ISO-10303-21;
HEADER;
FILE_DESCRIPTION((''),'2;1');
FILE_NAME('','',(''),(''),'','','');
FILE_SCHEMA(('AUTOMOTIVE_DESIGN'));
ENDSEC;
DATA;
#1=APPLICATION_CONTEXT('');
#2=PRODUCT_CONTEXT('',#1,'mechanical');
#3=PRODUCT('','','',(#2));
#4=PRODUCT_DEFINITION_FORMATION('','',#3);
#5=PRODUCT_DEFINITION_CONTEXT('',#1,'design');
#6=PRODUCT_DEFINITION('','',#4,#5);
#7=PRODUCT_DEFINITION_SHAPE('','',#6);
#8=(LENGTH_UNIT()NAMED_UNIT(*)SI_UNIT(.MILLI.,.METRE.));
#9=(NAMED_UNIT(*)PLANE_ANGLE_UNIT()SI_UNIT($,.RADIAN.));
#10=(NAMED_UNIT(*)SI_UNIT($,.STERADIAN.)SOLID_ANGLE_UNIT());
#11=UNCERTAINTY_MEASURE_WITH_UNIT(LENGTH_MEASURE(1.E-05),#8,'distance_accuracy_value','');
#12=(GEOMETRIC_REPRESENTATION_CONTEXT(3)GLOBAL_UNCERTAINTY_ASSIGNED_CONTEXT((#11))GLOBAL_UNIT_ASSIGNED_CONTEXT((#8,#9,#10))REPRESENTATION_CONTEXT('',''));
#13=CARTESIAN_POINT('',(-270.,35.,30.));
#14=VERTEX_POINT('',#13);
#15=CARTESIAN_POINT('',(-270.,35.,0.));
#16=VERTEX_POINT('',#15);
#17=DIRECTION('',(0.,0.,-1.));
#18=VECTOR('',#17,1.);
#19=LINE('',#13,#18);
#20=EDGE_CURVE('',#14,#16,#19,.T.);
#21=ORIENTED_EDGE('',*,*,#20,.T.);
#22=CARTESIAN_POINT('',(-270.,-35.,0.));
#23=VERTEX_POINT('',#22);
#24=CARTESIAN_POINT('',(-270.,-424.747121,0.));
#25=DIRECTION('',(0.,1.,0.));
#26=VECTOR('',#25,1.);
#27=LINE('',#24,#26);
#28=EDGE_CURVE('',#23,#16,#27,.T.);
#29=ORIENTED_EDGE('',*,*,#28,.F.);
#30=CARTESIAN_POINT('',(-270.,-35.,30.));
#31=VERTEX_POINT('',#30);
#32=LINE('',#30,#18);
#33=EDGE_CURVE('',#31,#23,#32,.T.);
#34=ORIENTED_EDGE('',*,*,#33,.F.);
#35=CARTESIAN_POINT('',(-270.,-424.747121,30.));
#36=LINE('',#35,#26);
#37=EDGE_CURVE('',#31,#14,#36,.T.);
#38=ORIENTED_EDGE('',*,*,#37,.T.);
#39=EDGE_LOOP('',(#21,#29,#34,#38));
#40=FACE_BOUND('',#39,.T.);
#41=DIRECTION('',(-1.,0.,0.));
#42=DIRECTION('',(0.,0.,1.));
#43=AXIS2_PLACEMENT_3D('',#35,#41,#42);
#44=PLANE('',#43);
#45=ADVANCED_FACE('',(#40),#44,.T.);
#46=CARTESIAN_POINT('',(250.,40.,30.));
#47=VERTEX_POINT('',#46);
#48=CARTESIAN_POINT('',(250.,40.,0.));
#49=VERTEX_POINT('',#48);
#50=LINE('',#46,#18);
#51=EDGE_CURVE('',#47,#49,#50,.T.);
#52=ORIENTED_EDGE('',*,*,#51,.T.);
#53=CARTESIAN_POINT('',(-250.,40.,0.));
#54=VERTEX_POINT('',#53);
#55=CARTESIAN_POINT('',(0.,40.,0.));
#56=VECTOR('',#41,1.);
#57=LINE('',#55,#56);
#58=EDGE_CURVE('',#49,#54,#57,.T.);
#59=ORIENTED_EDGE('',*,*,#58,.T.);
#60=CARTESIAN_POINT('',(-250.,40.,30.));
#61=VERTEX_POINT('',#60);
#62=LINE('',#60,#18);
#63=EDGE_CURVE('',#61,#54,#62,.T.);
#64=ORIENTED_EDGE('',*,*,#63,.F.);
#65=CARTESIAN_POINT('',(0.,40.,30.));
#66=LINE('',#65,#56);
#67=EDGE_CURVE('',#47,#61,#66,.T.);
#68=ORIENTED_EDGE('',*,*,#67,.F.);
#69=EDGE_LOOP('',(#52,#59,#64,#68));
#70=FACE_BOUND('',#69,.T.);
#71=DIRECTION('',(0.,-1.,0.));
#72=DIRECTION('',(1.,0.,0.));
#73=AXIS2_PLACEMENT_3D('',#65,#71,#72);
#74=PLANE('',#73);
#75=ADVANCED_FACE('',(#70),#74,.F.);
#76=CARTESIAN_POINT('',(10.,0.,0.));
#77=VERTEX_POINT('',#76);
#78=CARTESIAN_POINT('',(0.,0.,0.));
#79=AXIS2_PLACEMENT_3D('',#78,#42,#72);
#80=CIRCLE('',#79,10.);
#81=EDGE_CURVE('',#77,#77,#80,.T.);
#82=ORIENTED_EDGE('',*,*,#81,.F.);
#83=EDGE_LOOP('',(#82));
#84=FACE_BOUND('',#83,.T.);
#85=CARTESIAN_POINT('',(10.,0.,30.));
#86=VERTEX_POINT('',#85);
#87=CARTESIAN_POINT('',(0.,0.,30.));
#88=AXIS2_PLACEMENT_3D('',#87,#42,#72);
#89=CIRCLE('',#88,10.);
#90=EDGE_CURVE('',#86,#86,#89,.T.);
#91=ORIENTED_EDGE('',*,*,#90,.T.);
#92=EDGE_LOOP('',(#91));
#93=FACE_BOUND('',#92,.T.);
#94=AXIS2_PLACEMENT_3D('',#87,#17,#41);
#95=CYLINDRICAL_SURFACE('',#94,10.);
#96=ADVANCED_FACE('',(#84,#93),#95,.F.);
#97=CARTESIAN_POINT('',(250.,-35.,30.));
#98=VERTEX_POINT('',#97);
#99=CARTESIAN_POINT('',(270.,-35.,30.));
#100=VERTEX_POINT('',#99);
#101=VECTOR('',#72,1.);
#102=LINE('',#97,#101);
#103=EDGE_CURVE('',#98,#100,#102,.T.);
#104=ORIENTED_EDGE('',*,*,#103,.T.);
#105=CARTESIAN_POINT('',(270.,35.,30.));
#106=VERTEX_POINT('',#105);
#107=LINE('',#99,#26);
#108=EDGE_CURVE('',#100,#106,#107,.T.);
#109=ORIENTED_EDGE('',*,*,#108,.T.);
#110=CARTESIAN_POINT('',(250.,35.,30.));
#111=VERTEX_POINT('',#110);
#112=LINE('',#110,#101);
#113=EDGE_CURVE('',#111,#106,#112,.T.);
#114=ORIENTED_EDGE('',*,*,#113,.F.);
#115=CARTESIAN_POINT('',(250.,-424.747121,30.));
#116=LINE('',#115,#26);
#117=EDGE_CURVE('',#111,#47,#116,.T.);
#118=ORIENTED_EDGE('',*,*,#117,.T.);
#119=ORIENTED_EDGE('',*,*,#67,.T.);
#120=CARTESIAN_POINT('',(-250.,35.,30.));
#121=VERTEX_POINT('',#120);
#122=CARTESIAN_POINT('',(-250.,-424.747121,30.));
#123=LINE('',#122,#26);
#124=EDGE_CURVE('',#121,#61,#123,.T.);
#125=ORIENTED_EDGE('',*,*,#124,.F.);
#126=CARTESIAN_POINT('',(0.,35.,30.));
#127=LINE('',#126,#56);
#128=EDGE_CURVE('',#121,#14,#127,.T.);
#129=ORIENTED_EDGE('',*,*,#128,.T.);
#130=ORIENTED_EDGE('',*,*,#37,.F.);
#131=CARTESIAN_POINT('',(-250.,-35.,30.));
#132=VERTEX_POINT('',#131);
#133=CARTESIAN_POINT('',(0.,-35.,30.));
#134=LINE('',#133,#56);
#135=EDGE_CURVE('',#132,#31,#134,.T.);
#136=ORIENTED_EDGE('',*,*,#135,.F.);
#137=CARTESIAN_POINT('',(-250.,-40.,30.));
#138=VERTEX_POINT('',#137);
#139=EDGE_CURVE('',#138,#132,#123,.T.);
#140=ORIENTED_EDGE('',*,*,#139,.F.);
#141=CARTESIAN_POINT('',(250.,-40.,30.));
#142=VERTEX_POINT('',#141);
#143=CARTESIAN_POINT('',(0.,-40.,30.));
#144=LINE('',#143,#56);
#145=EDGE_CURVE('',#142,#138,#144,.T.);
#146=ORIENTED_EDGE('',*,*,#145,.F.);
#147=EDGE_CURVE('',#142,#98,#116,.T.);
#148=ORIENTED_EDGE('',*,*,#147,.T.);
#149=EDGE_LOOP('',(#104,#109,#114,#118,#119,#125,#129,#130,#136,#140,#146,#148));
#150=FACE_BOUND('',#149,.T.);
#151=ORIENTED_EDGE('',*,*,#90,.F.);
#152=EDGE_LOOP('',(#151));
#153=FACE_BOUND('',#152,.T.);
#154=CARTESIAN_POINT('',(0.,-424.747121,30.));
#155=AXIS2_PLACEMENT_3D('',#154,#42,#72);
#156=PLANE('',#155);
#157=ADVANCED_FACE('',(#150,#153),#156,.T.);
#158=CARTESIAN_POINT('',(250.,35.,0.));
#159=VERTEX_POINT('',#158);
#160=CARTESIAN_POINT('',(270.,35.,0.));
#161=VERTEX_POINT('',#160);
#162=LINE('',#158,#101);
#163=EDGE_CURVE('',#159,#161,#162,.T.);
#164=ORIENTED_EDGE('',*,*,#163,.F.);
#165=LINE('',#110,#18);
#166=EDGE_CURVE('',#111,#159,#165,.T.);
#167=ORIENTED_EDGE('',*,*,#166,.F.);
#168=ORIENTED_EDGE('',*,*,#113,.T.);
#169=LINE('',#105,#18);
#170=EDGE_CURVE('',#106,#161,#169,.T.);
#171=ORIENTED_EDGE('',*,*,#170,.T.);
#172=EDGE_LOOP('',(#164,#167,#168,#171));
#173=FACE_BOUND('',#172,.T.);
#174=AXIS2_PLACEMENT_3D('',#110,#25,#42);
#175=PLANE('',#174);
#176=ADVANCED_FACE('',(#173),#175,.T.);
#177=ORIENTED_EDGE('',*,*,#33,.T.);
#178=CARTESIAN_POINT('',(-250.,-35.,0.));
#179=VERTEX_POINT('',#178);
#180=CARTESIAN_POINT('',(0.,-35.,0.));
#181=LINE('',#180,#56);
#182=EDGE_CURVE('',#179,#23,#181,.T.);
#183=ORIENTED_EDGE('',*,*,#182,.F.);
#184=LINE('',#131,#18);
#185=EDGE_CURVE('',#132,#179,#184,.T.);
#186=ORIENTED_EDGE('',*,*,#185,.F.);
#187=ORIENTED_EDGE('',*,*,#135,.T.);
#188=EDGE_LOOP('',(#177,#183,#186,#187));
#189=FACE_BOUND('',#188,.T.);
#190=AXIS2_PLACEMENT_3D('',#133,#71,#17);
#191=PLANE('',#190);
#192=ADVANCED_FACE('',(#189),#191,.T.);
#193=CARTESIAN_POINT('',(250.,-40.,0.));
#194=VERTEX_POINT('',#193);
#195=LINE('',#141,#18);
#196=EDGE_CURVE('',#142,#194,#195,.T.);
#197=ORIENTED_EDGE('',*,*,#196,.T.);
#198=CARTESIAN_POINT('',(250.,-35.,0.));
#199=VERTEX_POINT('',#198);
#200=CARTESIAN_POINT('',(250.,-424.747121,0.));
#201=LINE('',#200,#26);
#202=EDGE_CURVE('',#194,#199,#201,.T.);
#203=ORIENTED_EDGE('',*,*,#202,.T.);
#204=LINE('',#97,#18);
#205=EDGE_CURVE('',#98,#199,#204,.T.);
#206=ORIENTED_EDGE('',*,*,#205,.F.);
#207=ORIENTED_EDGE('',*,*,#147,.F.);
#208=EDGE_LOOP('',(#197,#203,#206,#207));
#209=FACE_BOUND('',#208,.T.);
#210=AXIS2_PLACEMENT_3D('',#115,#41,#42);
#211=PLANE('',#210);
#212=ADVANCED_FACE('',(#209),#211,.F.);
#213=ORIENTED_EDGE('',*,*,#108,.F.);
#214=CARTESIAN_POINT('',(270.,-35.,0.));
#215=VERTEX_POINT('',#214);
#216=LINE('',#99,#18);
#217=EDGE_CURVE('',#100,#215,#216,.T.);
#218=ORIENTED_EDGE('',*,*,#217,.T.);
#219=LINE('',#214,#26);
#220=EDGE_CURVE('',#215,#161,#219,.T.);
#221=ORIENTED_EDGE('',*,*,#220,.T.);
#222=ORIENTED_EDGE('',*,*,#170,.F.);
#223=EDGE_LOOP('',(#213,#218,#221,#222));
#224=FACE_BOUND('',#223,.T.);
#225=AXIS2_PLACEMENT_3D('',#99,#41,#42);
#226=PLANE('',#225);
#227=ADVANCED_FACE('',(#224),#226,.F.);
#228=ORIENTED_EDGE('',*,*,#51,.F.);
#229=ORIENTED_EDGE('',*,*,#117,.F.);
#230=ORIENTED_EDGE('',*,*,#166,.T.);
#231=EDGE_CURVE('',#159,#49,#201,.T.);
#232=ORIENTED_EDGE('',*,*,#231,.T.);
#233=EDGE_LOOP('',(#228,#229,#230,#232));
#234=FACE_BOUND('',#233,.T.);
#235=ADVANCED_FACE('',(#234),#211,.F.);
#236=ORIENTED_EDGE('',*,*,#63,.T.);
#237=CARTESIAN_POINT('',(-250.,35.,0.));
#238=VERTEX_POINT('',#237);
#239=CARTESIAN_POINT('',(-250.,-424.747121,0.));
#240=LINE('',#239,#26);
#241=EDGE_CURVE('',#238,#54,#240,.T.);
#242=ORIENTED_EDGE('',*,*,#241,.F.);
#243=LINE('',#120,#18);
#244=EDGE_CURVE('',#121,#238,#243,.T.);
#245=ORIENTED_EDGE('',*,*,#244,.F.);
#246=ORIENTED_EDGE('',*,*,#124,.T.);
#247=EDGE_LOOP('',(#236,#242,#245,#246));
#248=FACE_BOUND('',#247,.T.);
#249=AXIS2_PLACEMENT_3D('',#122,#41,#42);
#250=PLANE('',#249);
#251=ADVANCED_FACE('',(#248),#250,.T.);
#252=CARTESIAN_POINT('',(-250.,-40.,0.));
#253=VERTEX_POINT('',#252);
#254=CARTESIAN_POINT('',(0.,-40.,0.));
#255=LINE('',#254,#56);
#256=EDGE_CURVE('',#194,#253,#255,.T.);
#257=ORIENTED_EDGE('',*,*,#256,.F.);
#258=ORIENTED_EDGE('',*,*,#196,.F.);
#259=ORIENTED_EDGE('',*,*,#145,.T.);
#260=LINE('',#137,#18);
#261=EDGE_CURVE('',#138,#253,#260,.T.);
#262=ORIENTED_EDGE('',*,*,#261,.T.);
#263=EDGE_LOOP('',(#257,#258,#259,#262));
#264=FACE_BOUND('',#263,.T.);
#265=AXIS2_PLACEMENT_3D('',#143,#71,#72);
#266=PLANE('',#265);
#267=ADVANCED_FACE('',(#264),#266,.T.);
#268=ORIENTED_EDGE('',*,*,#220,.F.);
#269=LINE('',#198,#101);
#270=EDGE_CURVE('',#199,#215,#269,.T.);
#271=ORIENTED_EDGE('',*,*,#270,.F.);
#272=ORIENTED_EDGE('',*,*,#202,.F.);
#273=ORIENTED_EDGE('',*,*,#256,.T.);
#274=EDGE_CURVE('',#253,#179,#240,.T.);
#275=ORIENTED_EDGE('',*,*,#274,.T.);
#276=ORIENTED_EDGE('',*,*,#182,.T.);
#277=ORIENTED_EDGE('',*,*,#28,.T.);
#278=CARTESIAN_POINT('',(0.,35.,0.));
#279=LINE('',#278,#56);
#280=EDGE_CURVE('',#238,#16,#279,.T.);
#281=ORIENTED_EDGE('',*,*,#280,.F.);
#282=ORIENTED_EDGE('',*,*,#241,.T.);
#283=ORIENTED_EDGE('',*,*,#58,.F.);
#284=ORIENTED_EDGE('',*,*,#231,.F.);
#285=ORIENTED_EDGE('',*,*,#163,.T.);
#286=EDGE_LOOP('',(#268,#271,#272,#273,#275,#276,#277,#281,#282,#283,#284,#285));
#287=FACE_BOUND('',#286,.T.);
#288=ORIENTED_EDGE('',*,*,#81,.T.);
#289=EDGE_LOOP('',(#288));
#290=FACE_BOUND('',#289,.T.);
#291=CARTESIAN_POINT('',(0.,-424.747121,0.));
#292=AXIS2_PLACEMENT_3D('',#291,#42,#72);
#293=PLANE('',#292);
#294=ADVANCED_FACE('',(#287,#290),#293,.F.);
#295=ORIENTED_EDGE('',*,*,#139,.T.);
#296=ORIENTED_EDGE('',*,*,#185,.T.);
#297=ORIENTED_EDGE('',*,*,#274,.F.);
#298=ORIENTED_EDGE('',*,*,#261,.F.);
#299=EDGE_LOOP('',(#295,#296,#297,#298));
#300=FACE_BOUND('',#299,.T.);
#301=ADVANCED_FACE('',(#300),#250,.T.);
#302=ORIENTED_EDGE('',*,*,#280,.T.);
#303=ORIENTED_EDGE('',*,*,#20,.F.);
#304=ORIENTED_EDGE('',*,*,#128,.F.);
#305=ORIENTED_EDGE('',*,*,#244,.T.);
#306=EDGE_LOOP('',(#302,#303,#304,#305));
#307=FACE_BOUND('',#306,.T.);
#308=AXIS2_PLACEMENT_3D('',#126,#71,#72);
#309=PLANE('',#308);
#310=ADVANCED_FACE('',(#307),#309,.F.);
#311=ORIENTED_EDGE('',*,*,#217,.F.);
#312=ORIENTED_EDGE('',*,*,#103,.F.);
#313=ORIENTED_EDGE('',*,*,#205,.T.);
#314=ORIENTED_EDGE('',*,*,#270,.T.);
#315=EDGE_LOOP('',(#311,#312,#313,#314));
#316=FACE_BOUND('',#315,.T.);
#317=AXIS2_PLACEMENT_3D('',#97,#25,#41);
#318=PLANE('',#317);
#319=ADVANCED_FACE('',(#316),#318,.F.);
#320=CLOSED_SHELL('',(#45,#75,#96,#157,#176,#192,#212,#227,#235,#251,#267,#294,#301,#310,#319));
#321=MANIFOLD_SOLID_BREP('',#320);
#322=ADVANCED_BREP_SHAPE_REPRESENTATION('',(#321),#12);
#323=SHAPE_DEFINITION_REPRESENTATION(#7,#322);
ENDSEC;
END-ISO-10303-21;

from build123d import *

# Parameters (mm, degrees)
SKETCH_1_W      = 500
SKETCH_1_H      = 80
SKETCH_1_R      = 10
SKETCH_1_W_2    = 20
SKETCH_1_H_2    = 70
EXTRUDE_1_DEPTH = 30


with BuildPart() as part:
    # 草图1 → 凸台-拉伸1 (new body)
    # profile 1 of 3: a face of its own
    with BuildSketch(Plane.XY):
        Rectangle(SKETCH_1_W, SKETCH_1_H)
        Circle(SKETCH_1_R, mode=Mode.SUBTRACT)
    # profile 2 of 3: a face of its own
    with BuildSketch(Plane.XY):
        with Locations((-260, 0)):
            Rectangle(SKETCH_1_W_2, SKETCH_1_H_2)
    # profile 3 of 3: a face of its own
    with BuildSketch(Plane.XY):
        with Locations((260, 0)):
            Rectangle(SKETCH_1_W_2, SKETCH_1_H_2)
    extrude(amount=EXTRUDE_1_DEPTH)


solid = part.part
